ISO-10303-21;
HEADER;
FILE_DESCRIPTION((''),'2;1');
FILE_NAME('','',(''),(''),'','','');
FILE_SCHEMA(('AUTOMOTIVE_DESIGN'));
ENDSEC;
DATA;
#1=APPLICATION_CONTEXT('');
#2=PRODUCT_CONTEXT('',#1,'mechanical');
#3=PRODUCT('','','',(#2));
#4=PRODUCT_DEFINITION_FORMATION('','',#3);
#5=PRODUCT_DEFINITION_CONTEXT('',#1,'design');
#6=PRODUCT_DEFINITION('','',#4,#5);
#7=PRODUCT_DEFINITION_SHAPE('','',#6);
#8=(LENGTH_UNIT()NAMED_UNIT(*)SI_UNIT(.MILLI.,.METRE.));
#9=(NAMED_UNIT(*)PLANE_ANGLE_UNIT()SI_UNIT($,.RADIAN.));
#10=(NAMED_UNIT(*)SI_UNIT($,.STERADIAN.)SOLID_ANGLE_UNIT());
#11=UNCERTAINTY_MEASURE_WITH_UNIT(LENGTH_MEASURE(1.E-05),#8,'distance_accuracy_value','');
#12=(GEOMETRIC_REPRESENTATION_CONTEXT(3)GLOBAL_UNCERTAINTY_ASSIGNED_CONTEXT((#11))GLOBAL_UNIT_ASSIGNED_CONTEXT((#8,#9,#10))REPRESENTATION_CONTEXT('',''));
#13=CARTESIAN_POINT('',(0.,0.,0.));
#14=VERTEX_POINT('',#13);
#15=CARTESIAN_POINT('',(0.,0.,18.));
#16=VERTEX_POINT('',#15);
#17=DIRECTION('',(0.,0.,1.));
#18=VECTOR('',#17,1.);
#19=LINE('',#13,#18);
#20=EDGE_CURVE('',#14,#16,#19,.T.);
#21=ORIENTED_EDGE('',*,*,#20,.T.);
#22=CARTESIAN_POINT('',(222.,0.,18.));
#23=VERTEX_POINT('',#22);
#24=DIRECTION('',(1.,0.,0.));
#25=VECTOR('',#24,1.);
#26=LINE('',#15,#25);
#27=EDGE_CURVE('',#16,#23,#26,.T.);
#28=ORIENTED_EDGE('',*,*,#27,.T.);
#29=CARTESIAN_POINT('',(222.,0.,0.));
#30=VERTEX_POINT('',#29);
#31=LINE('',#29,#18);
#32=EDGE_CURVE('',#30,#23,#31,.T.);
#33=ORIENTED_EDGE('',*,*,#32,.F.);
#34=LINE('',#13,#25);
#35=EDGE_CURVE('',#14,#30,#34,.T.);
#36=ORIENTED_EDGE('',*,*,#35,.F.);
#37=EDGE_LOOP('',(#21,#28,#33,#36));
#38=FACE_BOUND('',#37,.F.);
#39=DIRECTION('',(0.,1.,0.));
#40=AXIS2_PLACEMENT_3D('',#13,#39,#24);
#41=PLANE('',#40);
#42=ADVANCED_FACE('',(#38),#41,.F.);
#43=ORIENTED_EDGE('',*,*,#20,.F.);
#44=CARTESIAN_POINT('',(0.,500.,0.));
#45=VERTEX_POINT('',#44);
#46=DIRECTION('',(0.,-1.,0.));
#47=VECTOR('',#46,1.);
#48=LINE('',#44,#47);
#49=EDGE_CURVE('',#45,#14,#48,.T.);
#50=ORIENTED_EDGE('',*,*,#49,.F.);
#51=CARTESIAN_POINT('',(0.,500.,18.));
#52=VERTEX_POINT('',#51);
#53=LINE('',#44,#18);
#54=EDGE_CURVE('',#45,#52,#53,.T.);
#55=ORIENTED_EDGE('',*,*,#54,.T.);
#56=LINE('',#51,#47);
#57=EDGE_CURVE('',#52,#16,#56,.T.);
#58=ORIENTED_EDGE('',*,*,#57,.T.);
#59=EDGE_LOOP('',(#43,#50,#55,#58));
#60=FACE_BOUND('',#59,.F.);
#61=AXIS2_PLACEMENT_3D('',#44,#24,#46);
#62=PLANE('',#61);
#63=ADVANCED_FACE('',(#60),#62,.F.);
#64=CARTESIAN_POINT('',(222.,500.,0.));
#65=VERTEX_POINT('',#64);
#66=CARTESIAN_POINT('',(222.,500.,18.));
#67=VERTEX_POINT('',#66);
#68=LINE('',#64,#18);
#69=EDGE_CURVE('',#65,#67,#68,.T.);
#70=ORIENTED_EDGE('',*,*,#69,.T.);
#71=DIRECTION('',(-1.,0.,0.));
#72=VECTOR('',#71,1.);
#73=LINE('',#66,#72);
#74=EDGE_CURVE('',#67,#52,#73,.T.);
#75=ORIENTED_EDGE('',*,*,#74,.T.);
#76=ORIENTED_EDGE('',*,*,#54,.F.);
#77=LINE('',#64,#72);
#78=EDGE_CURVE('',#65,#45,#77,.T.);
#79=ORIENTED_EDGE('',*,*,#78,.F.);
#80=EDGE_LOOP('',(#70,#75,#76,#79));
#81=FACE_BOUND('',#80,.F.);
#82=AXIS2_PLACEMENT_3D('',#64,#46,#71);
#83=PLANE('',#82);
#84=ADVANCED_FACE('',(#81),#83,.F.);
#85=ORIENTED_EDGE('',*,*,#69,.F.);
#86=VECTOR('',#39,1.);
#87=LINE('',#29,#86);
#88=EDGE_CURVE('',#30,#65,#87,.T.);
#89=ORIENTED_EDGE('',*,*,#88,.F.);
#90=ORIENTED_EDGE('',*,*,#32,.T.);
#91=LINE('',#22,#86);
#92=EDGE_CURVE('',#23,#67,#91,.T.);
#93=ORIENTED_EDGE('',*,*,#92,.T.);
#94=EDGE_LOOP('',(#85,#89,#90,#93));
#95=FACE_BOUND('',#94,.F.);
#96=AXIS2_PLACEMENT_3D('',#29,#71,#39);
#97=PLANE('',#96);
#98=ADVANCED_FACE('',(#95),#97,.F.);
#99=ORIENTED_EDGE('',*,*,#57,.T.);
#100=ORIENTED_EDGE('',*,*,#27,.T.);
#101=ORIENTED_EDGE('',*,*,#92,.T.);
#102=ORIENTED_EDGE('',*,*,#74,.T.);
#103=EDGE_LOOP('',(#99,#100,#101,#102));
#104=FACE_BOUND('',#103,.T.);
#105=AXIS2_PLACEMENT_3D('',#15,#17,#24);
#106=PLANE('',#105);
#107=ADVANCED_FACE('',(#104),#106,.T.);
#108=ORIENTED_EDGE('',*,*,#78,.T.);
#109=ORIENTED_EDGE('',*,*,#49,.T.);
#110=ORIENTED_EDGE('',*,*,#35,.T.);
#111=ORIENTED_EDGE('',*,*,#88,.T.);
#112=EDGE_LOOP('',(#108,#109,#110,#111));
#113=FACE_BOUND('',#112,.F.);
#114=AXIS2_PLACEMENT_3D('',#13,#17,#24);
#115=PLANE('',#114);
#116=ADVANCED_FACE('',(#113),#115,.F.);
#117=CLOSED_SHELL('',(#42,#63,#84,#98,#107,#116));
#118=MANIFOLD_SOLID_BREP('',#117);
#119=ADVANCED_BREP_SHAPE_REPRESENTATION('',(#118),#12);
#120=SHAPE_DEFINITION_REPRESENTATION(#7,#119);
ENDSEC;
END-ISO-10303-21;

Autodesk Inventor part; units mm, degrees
ref_plane "YZ Plane" through (0, 0, 0) normal (1, 0, 0) x (0, 1, 0)
ref_plane "XZ Plane" through (0, 0, 0) normal (0, 1, 0) x (-1, 0, 0)
ref_plane "XY Plane" through (0, 0, 0) normal (0, 0, 1) x (1, 0, 0)
sketch "Sketch1" plane through (0, 0, 0) normal (0, 0, 1) x (1, 0, 0)
  line L0 (0, 0) -> (222, 0)
  line L1 (222, 0) -> (222, 500)
  line L2 (222, 500) -> (0, 500)
  line L3 (0, 500) -> (0, 0)
  dimension "d0" = 222
  dimension "d1" = 500
extrude "Extrusion1" add sketch "Sketch1" along normal blind 18
properties part number "regalboden"
